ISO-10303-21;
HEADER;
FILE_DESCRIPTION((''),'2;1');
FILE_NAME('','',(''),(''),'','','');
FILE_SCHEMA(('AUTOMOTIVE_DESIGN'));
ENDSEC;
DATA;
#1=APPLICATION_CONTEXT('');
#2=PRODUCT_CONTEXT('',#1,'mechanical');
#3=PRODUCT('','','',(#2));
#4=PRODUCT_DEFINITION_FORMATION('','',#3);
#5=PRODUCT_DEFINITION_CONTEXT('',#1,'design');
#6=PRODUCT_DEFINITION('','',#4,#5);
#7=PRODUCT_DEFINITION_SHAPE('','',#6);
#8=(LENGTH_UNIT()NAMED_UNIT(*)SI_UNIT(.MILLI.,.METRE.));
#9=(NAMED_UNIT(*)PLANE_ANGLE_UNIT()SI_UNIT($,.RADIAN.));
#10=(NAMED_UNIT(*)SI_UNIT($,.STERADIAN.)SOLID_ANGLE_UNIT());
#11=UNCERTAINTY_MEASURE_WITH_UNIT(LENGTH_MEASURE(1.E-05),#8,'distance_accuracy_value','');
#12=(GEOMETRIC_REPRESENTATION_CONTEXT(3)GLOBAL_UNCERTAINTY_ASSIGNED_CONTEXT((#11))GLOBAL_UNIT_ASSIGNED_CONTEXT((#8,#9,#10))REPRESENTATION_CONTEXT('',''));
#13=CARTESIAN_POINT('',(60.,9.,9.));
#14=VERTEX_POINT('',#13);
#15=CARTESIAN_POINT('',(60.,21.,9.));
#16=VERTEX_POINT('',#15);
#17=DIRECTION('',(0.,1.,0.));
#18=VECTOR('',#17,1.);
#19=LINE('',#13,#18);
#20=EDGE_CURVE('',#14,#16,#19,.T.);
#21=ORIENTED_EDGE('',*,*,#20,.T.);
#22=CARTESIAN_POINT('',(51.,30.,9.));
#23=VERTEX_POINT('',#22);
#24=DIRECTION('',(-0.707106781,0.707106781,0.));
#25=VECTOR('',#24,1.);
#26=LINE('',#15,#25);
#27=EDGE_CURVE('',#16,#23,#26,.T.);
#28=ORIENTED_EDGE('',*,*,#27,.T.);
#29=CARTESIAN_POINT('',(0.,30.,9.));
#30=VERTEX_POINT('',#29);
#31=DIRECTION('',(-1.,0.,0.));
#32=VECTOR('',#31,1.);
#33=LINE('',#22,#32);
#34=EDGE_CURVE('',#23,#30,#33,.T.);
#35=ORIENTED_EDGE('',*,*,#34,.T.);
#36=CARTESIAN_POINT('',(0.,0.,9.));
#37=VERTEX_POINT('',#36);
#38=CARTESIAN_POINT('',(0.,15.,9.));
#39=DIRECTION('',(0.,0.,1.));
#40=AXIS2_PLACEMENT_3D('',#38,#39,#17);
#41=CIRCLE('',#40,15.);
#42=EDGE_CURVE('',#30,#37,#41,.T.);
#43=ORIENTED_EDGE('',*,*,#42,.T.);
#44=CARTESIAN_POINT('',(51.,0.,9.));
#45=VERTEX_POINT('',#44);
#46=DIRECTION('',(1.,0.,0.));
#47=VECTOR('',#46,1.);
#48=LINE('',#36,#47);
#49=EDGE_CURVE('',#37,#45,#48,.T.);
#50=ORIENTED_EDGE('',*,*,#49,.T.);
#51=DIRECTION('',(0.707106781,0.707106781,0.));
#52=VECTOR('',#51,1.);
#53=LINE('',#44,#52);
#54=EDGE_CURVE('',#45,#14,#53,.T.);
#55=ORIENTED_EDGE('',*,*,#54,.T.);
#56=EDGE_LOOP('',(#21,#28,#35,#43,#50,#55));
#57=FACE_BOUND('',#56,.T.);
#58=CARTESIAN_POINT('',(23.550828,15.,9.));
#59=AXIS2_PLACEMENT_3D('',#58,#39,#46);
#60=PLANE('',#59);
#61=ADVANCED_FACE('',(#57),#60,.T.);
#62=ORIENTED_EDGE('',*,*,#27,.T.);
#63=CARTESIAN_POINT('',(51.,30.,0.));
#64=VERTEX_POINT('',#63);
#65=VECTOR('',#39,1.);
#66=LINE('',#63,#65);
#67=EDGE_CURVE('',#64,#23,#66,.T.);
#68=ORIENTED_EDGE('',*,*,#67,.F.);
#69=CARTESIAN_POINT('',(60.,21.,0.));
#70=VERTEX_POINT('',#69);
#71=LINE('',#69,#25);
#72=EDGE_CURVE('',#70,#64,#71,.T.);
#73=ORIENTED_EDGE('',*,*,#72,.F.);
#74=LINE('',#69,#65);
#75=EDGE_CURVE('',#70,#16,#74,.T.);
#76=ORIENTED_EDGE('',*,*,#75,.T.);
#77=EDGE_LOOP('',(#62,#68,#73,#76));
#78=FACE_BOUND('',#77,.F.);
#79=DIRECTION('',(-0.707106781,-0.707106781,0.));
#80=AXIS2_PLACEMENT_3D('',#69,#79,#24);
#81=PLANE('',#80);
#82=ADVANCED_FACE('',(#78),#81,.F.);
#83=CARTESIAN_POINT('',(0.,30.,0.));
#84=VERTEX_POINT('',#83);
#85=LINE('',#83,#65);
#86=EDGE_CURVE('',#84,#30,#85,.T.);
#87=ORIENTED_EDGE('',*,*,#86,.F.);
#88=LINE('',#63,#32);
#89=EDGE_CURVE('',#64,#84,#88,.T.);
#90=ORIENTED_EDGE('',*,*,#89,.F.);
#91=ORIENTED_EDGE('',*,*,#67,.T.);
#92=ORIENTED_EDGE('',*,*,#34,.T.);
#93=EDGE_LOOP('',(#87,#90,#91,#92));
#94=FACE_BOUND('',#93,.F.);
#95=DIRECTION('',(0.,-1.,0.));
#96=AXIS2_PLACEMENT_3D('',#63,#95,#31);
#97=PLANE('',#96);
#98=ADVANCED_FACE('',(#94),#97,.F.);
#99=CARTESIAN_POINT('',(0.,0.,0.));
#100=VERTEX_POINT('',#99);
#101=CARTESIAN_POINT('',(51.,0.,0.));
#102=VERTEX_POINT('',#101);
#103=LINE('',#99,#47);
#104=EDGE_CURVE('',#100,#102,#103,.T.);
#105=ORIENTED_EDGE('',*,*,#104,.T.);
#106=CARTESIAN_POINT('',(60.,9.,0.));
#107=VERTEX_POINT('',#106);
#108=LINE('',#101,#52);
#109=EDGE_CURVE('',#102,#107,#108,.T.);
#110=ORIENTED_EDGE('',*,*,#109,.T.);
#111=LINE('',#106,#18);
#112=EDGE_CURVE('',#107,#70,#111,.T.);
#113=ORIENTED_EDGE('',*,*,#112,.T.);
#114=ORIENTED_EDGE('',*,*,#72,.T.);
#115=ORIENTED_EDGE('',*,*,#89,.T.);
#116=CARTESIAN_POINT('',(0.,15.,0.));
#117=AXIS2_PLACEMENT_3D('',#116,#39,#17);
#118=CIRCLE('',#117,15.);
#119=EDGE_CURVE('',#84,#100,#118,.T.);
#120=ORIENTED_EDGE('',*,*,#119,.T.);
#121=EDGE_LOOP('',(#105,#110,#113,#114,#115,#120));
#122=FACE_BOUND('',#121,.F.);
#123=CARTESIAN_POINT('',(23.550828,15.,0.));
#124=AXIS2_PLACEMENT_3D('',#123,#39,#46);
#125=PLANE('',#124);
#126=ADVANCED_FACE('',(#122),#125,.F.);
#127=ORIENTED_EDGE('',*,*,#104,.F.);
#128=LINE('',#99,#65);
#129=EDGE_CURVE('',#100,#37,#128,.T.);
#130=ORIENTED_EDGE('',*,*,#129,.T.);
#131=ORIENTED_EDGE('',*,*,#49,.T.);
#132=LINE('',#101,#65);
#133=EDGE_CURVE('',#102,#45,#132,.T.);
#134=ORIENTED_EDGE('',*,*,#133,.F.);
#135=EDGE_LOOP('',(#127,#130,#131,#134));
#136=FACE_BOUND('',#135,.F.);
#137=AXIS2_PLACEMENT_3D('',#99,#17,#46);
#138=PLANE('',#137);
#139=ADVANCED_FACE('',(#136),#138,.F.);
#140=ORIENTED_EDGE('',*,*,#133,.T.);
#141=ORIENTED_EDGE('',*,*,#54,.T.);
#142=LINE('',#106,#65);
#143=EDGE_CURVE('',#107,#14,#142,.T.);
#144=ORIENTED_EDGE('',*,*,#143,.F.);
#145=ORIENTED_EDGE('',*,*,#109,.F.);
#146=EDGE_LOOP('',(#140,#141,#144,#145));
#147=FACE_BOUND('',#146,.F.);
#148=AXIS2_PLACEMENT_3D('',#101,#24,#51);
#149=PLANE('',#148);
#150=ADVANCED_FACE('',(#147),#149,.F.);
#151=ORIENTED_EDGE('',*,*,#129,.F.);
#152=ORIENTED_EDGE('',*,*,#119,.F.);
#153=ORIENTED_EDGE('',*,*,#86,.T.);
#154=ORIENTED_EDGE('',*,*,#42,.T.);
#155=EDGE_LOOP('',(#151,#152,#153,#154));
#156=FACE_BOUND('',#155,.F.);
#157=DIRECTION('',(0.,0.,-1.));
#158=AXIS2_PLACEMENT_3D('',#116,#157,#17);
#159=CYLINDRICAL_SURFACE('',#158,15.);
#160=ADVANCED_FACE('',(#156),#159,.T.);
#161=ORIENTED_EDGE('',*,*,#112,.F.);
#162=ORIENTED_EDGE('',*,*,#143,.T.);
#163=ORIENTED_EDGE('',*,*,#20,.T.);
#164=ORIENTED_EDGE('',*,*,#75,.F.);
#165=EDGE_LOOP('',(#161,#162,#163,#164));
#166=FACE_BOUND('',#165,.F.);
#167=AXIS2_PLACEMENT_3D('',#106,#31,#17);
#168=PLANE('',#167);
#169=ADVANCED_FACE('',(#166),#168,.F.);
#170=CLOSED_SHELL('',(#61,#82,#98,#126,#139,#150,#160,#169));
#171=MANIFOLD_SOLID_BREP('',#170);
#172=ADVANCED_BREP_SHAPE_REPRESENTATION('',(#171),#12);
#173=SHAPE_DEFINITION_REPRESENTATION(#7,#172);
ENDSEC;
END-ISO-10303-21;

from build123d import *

# Parameters (mm, degrees)
F1_DEPTH = 9


with BuildPart() as f1:
    # F0 (on Top) → F1 (new body)
    with BuildSketch(Plane.XY):
        with BuildLine():
            Line((51, 30), (0, 30))
            ThreePointArc((0, 30), (-15, 15), (0, 0))
            Line((0, 0), (51, 0))
            Line((51, 0), (60, 9))
            Line((60, 9), (60, 21))
            Line((60, 21), (51, 30))
        make_face()
    extrude(amount=F1_DEPTH)


solid = f1.part
